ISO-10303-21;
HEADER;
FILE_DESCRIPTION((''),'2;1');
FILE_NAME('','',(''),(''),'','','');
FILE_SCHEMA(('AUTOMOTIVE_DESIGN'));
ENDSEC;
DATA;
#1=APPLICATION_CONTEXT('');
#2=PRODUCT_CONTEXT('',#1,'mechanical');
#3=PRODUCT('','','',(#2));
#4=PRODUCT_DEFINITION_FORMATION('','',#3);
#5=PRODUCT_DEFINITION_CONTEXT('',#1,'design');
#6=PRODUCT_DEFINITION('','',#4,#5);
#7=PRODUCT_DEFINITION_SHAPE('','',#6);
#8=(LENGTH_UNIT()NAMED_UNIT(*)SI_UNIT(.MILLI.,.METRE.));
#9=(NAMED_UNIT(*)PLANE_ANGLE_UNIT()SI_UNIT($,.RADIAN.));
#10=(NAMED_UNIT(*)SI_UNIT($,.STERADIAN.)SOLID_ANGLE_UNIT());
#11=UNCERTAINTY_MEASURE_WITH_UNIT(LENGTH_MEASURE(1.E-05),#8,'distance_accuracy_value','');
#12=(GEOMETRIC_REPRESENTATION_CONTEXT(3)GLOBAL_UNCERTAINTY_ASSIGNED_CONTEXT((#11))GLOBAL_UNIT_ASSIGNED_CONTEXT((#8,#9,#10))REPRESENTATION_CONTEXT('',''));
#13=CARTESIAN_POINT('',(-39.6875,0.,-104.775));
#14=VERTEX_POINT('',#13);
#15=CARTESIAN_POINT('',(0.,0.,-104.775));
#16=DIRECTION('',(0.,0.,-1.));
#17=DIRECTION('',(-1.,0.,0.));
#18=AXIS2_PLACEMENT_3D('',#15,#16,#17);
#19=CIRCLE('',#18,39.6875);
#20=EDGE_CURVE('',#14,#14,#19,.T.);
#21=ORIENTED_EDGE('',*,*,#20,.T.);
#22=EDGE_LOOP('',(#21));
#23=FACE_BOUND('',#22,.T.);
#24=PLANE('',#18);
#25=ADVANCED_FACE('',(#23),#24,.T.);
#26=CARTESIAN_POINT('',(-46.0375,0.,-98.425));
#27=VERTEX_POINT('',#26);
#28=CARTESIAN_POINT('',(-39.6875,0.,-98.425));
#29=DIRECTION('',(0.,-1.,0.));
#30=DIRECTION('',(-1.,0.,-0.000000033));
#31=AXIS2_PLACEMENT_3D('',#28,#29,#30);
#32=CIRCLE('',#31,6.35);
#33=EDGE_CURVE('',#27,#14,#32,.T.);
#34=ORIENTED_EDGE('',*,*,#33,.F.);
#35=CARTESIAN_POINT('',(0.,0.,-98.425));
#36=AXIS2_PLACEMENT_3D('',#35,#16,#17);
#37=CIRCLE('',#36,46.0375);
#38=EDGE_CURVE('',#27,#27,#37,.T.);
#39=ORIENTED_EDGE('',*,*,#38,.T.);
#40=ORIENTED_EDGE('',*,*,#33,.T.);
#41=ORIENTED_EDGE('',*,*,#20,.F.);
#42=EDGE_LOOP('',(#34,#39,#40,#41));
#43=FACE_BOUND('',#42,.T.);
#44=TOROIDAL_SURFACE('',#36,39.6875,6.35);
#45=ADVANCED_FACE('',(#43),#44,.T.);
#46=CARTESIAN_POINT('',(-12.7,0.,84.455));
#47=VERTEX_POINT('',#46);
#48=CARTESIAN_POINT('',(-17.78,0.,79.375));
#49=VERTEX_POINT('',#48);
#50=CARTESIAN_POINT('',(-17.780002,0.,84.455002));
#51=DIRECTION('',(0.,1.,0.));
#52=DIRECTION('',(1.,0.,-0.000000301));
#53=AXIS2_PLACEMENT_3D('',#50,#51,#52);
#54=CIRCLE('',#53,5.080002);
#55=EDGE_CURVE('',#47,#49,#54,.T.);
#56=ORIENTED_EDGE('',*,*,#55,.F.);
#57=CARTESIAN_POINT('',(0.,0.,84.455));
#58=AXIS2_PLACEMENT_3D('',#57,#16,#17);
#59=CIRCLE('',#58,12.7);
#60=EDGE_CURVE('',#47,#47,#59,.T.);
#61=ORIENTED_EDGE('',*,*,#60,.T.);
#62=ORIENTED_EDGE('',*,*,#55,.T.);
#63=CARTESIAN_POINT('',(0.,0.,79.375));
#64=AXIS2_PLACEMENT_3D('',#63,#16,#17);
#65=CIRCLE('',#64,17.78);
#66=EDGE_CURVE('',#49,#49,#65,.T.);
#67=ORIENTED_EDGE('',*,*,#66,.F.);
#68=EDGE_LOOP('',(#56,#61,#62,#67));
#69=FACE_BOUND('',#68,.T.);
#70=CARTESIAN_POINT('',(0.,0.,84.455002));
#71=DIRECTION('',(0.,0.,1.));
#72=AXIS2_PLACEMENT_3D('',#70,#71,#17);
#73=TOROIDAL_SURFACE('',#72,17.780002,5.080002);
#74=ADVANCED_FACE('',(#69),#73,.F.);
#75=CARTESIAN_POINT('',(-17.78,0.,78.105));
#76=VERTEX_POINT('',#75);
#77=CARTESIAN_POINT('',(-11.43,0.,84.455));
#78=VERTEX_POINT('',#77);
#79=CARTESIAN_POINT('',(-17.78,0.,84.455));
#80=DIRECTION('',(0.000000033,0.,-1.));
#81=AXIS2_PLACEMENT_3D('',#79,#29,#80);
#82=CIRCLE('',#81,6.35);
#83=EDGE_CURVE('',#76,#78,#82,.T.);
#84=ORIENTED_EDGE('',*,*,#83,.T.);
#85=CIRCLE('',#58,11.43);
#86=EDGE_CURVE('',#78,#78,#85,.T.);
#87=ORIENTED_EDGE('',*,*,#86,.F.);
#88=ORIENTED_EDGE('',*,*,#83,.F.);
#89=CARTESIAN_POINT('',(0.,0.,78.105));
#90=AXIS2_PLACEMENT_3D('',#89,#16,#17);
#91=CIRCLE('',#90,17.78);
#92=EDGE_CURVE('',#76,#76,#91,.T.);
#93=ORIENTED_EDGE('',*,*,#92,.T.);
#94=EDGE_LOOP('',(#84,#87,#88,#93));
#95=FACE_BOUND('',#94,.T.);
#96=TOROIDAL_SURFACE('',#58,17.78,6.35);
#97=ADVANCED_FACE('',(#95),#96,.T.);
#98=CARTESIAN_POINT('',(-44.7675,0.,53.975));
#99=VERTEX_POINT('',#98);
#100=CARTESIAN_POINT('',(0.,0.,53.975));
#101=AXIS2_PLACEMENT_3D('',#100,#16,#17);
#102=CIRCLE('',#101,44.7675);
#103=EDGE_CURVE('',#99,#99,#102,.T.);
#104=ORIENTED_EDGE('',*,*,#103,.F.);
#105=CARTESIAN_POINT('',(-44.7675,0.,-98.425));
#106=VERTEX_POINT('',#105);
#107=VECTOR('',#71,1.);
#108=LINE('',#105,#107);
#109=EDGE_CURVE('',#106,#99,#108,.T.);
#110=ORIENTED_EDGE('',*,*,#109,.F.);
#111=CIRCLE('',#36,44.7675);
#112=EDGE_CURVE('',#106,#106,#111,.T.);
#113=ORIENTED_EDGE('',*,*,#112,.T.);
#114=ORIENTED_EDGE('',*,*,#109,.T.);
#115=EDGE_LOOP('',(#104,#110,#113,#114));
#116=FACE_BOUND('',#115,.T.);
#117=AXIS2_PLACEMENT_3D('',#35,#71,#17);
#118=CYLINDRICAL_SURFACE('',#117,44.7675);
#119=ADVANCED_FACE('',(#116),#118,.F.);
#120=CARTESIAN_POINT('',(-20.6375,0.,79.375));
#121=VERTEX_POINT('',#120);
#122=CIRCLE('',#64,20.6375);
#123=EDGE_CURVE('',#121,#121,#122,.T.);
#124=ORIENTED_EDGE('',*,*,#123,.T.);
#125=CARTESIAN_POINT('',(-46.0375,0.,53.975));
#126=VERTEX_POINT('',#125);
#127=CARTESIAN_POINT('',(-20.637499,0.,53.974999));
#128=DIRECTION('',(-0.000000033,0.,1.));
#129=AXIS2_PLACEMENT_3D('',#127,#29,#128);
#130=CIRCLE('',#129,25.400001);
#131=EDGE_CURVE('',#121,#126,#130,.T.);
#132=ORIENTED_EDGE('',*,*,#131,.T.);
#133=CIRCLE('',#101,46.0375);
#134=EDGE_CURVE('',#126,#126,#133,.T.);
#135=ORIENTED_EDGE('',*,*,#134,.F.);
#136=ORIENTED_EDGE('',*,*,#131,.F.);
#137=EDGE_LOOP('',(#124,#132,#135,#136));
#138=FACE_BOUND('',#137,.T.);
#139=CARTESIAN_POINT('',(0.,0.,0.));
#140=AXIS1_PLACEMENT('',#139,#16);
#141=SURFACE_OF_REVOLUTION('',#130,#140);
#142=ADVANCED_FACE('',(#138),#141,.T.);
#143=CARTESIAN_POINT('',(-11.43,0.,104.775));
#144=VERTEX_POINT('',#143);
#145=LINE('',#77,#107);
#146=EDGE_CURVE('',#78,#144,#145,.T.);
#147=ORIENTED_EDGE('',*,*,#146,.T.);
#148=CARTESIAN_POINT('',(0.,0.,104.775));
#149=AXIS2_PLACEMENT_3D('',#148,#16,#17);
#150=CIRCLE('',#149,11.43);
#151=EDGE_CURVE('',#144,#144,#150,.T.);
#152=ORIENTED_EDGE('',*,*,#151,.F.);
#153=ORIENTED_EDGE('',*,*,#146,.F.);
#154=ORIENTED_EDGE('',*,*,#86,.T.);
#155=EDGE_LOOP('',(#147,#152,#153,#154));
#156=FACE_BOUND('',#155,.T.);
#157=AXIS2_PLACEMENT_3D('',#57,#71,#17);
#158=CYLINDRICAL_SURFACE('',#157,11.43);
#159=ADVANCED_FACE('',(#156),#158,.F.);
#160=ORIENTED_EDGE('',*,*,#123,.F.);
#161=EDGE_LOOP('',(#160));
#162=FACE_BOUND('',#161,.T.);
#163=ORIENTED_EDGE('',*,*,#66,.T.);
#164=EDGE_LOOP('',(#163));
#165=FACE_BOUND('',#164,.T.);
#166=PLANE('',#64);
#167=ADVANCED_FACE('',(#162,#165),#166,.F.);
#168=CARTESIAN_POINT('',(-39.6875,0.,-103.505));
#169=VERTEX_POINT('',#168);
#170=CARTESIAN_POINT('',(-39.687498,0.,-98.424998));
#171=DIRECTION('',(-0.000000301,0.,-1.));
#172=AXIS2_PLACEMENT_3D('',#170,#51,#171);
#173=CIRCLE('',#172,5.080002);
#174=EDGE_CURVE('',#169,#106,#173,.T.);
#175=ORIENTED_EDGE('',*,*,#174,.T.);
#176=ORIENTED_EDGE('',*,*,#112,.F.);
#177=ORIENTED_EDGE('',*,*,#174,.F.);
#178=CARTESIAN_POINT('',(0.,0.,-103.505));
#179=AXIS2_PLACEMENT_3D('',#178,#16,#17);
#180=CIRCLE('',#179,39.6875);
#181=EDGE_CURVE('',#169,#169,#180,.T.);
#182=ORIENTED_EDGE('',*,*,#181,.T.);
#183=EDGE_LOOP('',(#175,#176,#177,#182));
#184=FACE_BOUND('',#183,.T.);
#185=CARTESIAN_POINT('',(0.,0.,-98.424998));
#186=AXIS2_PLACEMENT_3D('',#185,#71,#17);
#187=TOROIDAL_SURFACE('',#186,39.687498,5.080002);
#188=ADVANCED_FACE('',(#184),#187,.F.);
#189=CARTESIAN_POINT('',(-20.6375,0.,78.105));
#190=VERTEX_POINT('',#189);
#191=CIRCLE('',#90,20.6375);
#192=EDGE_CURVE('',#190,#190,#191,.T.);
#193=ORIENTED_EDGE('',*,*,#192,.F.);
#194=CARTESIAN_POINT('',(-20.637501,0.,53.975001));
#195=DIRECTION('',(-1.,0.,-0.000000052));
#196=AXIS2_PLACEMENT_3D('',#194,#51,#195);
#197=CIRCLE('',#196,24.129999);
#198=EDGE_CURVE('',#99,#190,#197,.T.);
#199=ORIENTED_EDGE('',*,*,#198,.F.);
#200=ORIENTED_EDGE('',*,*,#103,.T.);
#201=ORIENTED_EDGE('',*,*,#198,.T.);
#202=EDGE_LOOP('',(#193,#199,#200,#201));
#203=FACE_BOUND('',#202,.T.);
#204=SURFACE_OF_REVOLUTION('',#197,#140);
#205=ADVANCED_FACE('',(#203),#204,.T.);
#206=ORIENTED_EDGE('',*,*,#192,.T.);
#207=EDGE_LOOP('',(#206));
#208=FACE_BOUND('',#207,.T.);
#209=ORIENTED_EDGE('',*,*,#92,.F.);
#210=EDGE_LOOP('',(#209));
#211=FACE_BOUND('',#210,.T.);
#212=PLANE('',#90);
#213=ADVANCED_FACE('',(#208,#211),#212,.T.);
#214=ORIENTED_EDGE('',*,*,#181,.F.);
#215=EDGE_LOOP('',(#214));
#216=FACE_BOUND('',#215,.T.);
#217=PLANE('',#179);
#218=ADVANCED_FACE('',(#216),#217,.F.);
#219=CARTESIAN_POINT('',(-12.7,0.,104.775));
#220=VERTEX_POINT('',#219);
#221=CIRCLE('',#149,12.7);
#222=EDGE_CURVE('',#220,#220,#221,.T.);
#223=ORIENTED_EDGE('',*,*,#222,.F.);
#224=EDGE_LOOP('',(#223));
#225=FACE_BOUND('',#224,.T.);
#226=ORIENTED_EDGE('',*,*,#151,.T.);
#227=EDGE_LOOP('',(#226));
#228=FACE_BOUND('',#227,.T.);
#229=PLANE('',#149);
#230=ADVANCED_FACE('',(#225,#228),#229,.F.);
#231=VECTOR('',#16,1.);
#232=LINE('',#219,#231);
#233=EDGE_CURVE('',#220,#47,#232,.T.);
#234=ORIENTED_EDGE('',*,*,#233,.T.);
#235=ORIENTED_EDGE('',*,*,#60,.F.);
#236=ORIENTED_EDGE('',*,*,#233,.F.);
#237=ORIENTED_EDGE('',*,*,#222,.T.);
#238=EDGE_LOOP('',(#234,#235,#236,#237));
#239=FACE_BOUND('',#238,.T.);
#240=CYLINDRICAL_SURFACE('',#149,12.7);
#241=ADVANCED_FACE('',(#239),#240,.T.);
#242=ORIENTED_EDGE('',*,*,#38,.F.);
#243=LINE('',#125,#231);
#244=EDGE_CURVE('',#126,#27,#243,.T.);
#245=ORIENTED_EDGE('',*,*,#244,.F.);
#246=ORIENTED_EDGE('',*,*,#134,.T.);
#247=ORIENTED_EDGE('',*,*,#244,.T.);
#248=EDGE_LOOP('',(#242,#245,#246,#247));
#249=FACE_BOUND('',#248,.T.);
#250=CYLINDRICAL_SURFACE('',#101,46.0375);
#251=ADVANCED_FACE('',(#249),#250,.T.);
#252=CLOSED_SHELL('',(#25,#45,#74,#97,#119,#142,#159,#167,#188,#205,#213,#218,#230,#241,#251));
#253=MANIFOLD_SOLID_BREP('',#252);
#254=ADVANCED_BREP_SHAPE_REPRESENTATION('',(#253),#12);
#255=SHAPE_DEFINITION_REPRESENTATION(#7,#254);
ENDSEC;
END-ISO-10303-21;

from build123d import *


with BuildPart() as f1:
    # F0 (on Front) → F1 (revolve)
    with BuildSketch(Plane.XZ):
        with BuildLine():
            Line((-39.6875, -104.775), (0, -104.775))
            Line((0, -104.775), (0, -103.505))
            Line((0, -103.505), (-39.6875, -103.505))
            ThreePointArc((-39.6875, -103.505), (-43.279602, -102.017102), (-44.7675, -98.425))
            Line((-44.7675, -98.425), (-44.7675, 53.975))
            ThreePointArc((-44.7675, 53.975), (-37.699987, 71.037487), (-20.6375, 78.105))
            Line((-20.6375, 78.105), (-17.78, 78.105))
            ThreePointArc((-17.78, 78.105), (-13.289872, 79.964872), (-11.43, 84.455))
            Line((-11.43, 84.455), (-11.43, 104.775))
            Line((-11.43, 104.775), (-12.7, 104.775))
            Line((-12.7, 104.775), (-12.7, 84.455))
            ThreePointArc((-12.7, 84.455), (-14.187898, 80.862898), (-17.78, 79.375))
            Line((-17.78, 79.375), (-20.6375, 79.375))
            ThreePointArc((-20.6375, 79.375), (-38.598012, 71.935512), (-46.0375, 53.975))
            Line((-46.0375, 53.975), (-46.0375, -98.425))
            ThreePointArc((-46.0375, -98.425), (-44.177628, -102.915128), (-39.6875, -104.775))
        make_face()
    revolve(axis=Axis((0, 0, 0), (0, 0, -1)))


solid = f1.part
